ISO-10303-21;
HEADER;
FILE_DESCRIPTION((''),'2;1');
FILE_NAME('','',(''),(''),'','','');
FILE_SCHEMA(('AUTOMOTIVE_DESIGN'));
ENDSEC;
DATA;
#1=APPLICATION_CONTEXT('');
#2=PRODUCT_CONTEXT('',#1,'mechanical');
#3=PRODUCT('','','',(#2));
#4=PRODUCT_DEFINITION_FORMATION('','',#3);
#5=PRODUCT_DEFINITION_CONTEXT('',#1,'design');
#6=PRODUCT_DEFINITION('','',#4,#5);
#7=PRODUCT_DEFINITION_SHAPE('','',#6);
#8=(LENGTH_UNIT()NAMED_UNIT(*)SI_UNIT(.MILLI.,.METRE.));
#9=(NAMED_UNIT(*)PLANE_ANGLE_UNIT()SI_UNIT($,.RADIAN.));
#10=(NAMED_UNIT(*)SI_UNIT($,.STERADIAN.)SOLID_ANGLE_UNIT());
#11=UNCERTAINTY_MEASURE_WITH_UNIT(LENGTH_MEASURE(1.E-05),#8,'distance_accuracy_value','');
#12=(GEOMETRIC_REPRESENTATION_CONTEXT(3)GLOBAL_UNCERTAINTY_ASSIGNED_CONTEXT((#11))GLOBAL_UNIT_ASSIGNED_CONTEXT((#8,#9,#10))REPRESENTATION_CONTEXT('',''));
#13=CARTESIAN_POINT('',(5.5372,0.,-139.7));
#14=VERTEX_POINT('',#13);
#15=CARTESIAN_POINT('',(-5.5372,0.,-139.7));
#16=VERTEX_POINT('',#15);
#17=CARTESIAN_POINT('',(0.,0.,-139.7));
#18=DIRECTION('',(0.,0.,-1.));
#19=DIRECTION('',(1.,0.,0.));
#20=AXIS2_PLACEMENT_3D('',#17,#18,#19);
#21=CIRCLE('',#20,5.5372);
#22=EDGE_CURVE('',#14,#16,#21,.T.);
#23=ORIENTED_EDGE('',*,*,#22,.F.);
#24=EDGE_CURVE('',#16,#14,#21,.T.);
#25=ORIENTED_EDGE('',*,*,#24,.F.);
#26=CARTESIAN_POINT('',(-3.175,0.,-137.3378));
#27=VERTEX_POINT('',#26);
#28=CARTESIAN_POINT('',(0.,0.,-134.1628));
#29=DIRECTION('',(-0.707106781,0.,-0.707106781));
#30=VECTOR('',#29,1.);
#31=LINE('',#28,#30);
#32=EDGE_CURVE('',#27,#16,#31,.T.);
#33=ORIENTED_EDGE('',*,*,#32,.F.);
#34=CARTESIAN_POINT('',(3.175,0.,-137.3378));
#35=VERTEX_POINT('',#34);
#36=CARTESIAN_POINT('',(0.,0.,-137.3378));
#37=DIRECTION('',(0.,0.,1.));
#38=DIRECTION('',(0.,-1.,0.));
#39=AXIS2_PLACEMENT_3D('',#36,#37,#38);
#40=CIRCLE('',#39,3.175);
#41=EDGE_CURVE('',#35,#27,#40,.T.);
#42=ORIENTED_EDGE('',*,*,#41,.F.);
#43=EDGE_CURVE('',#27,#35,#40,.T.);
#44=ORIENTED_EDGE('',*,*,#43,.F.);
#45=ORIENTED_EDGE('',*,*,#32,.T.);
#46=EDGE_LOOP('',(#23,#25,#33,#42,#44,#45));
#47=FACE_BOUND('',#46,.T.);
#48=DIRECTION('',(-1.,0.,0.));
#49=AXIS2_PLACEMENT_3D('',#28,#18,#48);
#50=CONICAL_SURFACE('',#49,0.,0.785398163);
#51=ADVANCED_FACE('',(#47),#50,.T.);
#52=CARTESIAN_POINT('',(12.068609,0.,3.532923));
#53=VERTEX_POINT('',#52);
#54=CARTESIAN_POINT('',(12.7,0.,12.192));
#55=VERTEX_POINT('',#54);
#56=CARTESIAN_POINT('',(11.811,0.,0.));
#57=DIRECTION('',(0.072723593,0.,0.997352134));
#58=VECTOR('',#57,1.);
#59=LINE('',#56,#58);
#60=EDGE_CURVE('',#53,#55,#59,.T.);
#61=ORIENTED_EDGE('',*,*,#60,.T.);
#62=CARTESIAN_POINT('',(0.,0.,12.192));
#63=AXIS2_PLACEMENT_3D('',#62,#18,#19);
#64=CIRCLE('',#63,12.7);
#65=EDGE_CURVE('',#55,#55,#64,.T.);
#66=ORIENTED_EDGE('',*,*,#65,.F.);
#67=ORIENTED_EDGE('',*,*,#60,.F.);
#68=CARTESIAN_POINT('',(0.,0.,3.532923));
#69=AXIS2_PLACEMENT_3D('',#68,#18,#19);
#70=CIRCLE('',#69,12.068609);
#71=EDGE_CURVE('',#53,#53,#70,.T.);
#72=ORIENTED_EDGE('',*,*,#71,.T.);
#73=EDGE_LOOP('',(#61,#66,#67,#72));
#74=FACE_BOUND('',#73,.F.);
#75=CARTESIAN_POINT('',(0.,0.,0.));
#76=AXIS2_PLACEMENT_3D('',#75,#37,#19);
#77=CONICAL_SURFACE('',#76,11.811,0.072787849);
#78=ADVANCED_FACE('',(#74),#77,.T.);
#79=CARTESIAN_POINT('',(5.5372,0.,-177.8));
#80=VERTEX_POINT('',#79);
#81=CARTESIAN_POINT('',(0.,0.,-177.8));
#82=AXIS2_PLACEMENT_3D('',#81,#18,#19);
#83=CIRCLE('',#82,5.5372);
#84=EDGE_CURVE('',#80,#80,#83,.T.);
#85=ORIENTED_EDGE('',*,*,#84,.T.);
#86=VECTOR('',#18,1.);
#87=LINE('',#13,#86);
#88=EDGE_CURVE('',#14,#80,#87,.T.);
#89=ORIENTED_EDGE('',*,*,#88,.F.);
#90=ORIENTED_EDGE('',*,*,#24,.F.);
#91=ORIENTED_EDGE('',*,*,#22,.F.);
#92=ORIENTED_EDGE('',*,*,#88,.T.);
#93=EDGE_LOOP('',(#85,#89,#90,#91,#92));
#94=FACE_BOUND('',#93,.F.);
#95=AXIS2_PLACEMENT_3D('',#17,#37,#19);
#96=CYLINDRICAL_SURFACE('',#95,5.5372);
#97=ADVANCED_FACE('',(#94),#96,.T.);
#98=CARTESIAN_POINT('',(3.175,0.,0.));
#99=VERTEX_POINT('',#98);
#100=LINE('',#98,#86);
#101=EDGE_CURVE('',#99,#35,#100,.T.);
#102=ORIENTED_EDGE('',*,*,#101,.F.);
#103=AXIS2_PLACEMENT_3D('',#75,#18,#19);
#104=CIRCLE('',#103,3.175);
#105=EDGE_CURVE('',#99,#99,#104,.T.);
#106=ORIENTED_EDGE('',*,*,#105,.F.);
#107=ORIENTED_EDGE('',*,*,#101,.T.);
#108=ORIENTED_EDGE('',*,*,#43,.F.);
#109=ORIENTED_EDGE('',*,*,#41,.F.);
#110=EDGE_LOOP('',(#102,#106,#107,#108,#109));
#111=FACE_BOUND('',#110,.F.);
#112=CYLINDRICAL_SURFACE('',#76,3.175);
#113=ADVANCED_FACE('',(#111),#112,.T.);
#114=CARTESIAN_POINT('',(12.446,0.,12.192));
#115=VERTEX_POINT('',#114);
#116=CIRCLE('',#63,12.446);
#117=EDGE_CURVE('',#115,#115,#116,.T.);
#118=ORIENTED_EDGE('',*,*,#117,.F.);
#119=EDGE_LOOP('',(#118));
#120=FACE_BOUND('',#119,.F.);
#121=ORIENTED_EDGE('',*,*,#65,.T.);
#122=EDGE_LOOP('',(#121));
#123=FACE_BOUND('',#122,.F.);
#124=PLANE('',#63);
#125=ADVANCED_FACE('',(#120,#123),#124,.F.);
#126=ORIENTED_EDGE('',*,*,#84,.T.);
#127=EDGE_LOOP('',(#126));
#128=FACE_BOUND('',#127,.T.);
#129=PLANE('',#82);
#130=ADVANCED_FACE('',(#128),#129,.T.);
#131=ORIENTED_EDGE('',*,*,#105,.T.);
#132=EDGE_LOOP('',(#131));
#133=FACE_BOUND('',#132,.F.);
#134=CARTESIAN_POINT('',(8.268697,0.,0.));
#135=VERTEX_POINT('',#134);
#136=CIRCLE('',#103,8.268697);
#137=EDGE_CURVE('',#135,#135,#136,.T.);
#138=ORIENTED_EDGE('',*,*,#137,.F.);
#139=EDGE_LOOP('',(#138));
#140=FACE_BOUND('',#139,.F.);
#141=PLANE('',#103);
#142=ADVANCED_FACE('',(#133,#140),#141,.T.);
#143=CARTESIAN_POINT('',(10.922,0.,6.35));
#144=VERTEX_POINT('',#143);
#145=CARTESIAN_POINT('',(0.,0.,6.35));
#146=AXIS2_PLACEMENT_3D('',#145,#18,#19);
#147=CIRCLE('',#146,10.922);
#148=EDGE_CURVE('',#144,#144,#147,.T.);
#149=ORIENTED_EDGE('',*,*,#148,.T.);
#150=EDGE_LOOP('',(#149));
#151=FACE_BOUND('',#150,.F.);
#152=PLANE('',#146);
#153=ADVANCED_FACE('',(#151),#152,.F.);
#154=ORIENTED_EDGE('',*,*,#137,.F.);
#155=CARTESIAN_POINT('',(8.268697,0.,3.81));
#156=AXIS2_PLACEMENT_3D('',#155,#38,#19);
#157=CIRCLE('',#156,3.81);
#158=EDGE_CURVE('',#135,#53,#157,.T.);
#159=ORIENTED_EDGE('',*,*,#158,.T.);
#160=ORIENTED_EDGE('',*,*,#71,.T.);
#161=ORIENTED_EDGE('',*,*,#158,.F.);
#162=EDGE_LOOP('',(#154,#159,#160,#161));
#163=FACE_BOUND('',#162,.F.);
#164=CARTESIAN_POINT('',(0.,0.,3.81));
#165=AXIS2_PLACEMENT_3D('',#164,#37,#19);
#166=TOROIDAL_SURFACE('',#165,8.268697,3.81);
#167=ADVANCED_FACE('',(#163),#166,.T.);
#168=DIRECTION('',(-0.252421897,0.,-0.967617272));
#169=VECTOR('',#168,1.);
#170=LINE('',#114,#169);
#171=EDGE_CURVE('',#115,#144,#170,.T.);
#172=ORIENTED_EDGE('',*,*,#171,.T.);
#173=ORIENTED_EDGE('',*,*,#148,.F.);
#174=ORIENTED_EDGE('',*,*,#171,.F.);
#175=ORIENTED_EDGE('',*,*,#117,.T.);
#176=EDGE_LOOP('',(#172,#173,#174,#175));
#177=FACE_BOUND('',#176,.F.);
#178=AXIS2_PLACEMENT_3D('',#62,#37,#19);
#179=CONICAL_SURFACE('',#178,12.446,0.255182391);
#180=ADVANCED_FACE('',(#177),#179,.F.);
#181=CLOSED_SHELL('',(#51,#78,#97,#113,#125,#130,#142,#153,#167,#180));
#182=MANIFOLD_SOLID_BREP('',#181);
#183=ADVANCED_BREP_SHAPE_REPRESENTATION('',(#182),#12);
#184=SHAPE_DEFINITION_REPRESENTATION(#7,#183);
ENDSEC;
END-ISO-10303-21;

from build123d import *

# Parameters (mm, degrees)
F2_R     = 3.81
F3_R     = 3.175
F4_DEPTH = 139.7
F5_R     = 5.5372
F6_DEPTH = 38.1


with BuildPart() as f1:
    # F0 (on Front) → F1 (revolve)
    with BuildSketch(Plane.XZ):
        Polygon((0, 6.35), (0, 0), (11.811, 0), (12.7, 12.192), (12.446, 12.192), (10.922, 6.35), align=None)
    revolve(axis=Axis((0, 0, 3.175), (0, 0, -1)))

    # F2
    f2_edges = [f1.edges().sort_by_distance(p)[0] for p in [
        (-11.811, 0, 0),
    ]]
    fillet(f2_edges, radius=F2_R)

    # F3 (on face) → F4 (join)
    with BuildSketch(Plane(origin=(0, 0, 0), x_dir=(1, 0, 0), z_dir=(0, 0, -1))):
        Circle(F3_R)
    extrude(amount=F4_DEPTH)

    # F5 (on face) → F6 (join)
    with BuildSketch(Plane(origin=(0, 0, -139.7), x_dir=(1, 0, 0), z_dir=(0, 0, -1))):
        Circle(F5_R)
    extrude(amount=F6_DEPTH)

    # F7 (on Front) → F8 (revolve)
    with BuildSketch(Plane.XZ):
        Polygon((-5.5372, -139.7), (0, -139.7), (0, -134.1628), align=None)
    revolve(axis=Axis((0, 0, -136.9314), (0, 0, -1)))


solid = f1.part
